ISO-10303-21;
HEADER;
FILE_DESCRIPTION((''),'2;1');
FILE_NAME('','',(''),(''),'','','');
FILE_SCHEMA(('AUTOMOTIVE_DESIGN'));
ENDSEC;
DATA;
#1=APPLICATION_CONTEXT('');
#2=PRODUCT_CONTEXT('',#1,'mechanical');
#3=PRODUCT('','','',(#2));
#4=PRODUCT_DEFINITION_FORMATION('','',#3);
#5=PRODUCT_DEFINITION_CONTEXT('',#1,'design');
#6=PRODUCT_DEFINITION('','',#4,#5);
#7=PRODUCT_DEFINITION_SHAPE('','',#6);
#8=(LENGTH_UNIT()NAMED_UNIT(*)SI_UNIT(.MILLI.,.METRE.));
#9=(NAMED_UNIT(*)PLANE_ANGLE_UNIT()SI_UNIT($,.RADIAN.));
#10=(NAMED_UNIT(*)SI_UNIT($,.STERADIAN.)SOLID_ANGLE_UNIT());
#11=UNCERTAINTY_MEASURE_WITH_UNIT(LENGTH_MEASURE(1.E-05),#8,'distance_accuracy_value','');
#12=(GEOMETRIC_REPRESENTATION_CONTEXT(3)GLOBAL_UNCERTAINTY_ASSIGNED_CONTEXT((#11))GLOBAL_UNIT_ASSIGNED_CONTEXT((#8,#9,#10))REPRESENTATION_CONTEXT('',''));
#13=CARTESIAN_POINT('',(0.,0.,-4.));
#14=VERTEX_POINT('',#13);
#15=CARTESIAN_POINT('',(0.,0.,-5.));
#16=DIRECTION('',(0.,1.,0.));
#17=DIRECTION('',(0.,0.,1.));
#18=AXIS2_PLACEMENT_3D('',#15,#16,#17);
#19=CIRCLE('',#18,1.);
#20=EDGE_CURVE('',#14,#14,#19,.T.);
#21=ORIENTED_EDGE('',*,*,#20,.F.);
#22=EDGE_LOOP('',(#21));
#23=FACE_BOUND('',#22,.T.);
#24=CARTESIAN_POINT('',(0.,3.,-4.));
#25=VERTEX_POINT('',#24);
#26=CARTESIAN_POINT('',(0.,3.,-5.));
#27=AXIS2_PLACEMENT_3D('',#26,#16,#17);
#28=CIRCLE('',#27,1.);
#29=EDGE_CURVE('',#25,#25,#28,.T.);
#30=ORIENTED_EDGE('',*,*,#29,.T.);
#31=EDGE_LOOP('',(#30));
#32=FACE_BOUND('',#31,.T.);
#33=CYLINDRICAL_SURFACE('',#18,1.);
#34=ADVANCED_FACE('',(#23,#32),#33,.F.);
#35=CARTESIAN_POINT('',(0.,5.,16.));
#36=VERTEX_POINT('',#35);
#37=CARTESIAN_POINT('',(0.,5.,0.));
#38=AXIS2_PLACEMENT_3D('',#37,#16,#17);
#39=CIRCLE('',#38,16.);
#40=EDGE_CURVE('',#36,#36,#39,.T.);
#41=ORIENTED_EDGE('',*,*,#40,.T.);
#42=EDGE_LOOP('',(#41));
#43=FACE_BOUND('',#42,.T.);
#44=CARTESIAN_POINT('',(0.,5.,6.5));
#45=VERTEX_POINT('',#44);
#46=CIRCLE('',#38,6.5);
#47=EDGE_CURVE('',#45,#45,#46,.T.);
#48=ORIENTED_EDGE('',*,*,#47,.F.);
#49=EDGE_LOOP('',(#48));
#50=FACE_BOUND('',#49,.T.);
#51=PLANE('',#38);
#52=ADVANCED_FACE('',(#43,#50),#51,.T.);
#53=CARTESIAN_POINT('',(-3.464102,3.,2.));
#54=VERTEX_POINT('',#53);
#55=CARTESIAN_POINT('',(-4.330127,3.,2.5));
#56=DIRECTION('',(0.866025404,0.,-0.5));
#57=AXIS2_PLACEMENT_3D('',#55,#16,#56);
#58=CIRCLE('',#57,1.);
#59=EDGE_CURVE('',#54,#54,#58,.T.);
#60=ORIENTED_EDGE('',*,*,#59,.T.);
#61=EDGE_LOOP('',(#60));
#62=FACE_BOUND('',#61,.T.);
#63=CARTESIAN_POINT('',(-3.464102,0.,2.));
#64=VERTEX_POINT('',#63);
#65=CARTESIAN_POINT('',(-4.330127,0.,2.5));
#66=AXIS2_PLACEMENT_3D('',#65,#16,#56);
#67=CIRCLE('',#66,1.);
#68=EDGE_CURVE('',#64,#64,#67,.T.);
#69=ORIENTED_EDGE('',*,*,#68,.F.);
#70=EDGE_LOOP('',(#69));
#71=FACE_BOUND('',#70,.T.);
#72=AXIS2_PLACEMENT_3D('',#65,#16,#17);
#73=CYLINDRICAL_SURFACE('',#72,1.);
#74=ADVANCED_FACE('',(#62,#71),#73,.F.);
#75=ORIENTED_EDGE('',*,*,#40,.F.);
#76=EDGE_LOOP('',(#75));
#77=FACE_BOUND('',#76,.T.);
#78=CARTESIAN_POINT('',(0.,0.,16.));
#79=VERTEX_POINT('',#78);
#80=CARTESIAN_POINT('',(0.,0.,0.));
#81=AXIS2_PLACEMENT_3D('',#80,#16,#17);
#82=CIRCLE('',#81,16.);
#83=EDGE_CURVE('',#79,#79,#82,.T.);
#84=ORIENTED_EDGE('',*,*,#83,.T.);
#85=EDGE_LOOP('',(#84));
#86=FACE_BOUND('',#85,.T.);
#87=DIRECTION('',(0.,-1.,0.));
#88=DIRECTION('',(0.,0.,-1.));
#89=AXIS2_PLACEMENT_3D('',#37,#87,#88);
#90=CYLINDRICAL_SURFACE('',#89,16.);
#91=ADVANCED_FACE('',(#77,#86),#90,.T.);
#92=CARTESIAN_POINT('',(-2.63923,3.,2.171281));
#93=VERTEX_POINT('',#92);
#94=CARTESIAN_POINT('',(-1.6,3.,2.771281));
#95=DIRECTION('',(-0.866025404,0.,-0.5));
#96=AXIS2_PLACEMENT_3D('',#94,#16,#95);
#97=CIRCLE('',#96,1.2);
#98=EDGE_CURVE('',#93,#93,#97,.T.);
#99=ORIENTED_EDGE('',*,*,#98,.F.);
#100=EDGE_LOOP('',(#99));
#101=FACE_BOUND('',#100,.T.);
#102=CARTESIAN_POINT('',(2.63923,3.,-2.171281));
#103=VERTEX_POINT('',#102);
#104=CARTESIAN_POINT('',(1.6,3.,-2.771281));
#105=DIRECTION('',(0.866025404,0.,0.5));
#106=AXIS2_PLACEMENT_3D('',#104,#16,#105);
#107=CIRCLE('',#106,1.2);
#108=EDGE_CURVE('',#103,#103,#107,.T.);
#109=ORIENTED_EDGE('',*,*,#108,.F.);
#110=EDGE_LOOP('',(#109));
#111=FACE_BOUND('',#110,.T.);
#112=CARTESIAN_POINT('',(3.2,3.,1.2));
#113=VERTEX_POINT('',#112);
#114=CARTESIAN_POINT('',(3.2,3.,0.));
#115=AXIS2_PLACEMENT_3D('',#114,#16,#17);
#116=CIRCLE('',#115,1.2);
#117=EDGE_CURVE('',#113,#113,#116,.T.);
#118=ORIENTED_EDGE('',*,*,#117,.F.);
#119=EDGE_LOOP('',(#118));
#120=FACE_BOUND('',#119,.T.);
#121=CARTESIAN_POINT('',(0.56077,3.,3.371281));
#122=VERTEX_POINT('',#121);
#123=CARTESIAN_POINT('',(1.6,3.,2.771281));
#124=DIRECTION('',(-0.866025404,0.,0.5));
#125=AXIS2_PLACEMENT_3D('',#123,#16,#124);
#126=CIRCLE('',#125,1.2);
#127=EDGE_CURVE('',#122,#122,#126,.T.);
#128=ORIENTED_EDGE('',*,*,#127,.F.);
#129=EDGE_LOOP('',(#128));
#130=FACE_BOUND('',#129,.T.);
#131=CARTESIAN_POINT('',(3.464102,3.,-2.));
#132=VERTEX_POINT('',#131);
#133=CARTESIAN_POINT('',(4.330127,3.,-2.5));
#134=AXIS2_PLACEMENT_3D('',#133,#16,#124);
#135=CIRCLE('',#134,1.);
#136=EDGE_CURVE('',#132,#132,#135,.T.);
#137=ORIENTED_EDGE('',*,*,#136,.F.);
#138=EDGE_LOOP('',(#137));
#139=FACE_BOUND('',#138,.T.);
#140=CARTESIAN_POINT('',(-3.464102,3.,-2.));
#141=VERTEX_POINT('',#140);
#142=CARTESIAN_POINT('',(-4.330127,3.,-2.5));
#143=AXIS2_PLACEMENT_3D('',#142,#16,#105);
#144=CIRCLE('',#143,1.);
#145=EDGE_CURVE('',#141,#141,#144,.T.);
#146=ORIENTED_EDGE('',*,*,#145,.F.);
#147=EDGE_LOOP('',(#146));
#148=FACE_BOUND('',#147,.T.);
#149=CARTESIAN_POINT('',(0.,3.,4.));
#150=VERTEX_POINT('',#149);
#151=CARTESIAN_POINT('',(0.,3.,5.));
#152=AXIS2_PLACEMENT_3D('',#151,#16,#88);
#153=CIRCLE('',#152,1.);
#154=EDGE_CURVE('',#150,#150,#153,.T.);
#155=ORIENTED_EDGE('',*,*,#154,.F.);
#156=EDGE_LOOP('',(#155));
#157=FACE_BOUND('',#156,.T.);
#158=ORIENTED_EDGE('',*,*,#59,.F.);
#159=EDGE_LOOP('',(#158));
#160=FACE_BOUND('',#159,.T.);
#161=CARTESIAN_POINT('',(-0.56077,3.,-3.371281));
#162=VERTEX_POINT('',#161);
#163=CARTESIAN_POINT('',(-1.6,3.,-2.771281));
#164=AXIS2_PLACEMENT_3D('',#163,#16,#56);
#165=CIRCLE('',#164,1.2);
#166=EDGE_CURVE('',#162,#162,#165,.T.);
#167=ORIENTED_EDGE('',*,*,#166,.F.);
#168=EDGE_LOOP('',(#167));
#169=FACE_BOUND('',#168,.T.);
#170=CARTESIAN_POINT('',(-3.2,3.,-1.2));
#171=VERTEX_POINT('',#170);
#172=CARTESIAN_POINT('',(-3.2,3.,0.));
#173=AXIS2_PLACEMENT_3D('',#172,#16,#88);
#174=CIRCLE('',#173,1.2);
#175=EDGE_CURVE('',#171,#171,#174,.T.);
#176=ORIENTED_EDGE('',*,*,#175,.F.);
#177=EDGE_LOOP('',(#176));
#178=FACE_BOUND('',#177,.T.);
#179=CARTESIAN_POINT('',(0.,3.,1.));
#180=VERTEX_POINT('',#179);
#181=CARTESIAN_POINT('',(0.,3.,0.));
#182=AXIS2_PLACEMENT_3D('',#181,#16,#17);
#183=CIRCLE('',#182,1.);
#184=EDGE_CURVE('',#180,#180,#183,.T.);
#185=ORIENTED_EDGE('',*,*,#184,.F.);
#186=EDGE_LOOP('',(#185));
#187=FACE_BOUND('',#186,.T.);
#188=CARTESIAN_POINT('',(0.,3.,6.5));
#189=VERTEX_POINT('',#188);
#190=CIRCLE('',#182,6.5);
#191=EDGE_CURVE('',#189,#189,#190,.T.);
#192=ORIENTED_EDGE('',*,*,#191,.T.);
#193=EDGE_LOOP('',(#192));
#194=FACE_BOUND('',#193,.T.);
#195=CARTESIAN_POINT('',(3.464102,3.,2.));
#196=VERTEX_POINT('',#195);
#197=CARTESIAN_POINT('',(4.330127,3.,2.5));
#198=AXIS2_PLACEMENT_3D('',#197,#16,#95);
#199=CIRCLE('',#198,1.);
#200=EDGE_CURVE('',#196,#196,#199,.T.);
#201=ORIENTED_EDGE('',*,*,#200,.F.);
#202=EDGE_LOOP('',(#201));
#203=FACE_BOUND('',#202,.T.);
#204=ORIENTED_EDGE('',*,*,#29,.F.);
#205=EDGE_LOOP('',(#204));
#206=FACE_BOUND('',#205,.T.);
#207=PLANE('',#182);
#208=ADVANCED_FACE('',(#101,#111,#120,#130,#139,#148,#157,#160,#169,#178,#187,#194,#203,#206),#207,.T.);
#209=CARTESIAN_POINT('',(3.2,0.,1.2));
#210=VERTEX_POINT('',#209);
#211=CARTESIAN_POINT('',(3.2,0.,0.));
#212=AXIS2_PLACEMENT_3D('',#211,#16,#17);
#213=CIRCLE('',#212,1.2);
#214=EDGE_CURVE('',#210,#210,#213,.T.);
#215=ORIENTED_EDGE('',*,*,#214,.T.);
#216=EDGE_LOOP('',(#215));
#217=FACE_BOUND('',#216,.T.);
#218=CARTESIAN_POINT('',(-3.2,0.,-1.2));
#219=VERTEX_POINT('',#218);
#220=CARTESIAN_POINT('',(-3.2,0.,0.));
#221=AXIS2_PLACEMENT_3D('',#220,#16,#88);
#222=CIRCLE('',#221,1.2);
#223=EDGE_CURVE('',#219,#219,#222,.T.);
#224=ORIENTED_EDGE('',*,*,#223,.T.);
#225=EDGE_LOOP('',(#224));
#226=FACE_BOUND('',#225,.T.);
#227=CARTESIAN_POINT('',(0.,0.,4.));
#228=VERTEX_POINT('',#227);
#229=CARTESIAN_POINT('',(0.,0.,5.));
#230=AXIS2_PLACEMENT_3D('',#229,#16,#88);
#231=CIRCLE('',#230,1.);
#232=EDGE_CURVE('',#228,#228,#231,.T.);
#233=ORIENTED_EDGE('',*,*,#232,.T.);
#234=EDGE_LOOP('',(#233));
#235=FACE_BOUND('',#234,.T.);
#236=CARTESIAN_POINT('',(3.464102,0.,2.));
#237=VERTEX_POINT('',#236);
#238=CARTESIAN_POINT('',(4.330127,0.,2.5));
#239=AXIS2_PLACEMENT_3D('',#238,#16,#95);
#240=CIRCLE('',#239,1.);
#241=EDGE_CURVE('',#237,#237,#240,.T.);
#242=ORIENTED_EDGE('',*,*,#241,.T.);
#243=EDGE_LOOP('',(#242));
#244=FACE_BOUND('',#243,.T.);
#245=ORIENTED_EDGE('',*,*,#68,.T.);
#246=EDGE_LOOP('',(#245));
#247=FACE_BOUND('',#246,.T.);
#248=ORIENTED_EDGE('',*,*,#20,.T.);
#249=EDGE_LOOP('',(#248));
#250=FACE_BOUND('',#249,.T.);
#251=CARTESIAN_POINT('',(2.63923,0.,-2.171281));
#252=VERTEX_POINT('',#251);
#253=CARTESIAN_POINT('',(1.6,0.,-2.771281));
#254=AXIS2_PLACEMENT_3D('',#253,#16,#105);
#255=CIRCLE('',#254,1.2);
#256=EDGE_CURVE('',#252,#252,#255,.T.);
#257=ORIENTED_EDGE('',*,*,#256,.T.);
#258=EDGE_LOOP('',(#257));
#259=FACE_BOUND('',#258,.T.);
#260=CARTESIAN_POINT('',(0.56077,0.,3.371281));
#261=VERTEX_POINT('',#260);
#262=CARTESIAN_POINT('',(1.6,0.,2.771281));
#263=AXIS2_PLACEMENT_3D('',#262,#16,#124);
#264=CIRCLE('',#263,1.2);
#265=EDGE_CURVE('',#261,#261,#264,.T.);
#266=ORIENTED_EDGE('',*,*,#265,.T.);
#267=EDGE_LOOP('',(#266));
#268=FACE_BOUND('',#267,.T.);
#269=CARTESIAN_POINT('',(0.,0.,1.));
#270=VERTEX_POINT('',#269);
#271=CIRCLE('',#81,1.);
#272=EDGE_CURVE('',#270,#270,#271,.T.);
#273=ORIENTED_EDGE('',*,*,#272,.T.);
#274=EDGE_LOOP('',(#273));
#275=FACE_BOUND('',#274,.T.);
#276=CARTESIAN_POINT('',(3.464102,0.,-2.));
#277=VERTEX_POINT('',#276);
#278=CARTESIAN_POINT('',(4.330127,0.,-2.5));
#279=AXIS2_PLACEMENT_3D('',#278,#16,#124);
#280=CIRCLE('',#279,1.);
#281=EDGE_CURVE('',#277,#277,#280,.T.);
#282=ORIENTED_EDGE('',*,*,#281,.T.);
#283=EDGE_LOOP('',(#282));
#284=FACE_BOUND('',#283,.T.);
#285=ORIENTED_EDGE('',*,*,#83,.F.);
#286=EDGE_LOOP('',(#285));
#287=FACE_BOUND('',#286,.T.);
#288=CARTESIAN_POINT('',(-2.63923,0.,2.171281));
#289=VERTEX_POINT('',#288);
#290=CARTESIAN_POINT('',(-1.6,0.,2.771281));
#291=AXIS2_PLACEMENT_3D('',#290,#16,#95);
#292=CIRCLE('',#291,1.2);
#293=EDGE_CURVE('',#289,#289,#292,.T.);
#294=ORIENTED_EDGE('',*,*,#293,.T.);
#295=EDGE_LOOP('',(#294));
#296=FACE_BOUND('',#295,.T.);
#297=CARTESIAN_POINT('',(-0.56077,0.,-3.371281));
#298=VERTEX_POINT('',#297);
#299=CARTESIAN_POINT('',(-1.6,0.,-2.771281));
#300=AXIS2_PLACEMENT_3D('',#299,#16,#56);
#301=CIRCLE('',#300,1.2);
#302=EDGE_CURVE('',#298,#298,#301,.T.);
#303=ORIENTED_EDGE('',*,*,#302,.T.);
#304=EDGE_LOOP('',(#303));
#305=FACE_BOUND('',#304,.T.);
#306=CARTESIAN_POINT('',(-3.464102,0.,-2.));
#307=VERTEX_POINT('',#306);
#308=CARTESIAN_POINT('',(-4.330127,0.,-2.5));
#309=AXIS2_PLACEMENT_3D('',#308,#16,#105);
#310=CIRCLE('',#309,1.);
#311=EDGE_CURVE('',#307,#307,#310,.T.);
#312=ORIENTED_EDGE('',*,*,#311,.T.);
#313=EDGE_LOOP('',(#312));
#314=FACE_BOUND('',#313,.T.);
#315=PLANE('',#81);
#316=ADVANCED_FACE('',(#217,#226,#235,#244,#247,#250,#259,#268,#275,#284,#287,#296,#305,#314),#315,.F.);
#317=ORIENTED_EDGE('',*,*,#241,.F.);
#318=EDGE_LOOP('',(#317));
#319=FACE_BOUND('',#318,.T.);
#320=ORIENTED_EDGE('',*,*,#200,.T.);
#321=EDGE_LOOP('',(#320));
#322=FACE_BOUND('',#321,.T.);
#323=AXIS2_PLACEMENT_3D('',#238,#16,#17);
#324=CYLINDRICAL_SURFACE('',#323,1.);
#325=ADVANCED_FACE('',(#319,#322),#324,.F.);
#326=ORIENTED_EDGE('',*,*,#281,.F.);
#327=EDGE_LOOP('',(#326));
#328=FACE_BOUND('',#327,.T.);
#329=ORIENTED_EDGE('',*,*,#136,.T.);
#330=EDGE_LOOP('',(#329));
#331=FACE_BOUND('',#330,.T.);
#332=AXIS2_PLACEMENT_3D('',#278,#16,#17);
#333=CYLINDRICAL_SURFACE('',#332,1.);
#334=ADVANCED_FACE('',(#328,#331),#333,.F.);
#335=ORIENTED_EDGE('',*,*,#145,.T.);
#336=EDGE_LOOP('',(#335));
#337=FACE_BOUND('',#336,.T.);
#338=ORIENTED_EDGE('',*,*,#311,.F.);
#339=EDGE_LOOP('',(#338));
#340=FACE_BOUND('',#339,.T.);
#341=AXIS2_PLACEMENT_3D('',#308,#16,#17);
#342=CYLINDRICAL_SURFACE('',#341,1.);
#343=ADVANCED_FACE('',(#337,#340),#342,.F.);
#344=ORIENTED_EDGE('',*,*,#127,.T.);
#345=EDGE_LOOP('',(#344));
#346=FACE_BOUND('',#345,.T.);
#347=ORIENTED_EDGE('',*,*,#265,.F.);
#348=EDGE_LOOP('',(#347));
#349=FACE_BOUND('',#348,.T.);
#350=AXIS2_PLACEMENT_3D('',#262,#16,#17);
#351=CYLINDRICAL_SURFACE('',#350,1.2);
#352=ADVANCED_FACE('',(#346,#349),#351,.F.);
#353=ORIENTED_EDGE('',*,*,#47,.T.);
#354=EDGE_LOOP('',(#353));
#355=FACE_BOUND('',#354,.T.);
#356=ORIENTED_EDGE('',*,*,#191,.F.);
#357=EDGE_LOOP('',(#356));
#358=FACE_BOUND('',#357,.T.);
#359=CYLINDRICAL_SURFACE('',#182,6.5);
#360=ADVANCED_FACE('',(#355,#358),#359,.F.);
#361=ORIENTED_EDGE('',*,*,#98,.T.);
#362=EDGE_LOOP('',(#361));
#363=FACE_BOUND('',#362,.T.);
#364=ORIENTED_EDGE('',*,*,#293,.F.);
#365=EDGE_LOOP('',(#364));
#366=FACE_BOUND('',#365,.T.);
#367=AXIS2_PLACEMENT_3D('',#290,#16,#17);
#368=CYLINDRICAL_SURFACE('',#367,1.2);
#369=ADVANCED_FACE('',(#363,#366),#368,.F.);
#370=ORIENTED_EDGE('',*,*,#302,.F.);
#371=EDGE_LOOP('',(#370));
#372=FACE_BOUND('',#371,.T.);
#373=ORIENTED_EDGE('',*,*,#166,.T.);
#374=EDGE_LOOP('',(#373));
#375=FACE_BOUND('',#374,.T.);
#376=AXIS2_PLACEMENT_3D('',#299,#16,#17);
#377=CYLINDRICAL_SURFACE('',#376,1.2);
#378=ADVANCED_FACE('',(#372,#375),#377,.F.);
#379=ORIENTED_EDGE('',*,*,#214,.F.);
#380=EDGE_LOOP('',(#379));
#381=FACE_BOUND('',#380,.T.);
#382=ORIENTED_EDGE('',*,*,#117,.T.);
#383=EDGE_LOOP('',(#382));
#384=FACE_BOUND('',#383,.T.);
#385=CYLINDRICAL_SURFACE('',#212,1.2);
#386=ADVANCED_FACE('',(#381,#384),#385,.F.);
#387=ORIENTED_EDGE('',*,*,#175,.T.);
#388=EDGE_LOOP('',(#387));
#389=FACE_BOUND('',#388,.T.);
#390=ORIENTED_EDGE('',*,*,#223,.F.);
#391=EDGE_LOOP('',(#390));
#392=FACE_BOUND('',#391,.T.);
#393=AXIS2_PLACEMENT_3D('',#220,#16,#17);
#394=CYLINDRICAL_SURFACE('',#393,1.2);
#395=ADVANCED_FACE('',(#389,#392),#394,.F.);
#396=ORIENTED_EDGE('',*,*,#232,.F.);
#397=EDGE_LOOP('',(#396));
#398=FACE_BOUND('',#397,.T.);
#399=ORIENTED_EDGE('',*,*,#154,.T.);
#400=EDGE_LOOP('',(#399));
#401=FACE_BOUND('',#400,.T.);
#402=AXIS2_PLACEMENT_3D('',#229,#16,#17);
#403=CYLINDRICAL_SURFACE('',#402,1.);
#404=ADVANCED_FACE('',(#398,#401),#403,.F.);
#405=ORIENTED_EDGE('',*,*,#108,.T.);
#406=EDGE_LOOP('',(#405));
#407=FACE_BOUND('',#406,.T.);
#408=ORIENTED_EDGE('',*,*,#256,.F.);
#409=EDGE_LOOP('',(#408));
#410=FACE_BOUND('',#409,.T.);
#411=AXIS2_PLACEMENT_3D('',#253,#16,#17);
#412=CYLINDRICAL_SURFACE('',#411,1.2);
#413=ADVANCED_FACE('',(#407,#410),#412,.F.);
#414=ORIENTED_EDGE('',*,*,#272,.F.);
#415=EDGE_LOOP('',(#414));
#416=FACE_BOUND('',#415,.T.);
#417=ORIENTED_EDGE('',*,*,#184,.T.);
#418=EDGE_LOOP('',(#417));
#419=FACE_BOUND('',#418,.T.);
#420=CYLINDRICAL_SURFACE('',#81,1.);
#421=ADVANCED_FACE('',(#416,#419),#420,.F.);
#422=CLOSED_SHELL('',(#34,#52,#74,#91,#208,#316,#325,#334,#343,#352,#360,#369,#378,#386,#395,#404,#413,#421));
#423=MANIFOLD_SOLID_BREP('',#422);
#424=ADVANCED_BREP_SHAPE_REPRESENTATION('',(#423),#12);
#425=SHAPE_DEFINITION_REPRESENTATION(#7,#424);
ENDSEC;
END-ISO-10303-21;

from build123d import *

# Parameters (mm, degrees)
SKETCH1_R           = 16
BOSS_EXTRUDE1_DEPTH = 5
SKETCH2_R           = 6.5
CUT_EXTRUDE2_DEPTH  = 2
SKETCH3_R           = 1
CUT_EXTRUDE3_DEPTH  = 3
SKETCH4_R           = 1.2
CUT_EXTRUDE4_DEPTH  = 3
SKETCH6_R           = 1
CUT_EXTRUDE6_DEPTH  = 3
CIRPATTERN3_COUNT   = 6
CIRPATTERN5_COUNT   = 6


with BuildPart() as part:
    # Sketch1 → Boss-Extrude1 (new body)
    with BuildSketch(Plane(origin=(0, 0, 0), x_dir=(1, 0, 0), z_dir=(0, 1, 0))):
        Circle(SKETCH1_R)
    extrude(amount=BOSS_EXTRUDE1_DEPTH)

    # Sketch2 → Cut-Extrude2 (cut)
    with BuildSketch(Plane(origin=(0, 5, 0), x_dir=(1, 0, 0), z_dir=(0, 1, 0))):
        Circle(SKETCH2_R)
    extrude(amount=-CUT_EXTRUDE2_DEPTH, mode=Mode.SUBTRACT)

    # Sketch3 → Cut-Extrude3 (cut)
    with BuildSketch(Plane(origin=(0, 3, 0), x_dir=(1, 0, 0), z_dir=(0, 1, 0))):
        Circle(SKETCH3_R)
    extrude(amount=-CUT_EXTRUDE3_DEPTH, mode=Mode.SUBTRACT)

    # Sketch4 → Cut-Extrude4 (cut)
    with BuildSketch(Plane(origin=(0, 3, 0), x_dir=(1, 0, 0), z_dir=(0, 1, 0))):
        with Locations((3.2, 0)):
            Circle(SKETCH4_R)
    cut_extrude4 = extrude(amount=-CUT_EXTRUDE4_DEPTH, mode=Mode.SUBTRACT)

    # Sketch6 → Cut-Extrude6 (cut)
    with BuildSketch(Plane(origin=(0, 3, 0), x_dir=(1, 0, 0), z_dir=(0, 1, 0))):
        with Locations((0, 5)):
            Circle(SKETCH6_R)
    cut_extrude6 = extrude(amount=-CUT_EXTRUDE6_DEPTH, mode=Mode.SUBTRACT)

    # CirPattern3: Cut-Extrude6 ×6 about axis
    cirpattern3_axis = Axis((0, 0, 0), (0, 1, 0))
    for i in range(1, CIRPATTERN3_COUNT):
        add(cut_extrude6.rotate(cirpattern3_axis, i * 360 / CIRPATTERN3_COUNT), mode=Mode.SUBTRACT)

    # CirPattern5: Cut-Extrude4 ×6 about axis
    cirpattern5_axis = Axis((0, 0, 0), (0, 1, 0))
    for i in range(1, CIRPATTERN5_COUNT):
        add(cut_extrude4.rotate(cirpattern5_axis, i * 360 / CIRPATTERN5_COUNT), mode=Mode.SUBTRACT)


solid = part.part
